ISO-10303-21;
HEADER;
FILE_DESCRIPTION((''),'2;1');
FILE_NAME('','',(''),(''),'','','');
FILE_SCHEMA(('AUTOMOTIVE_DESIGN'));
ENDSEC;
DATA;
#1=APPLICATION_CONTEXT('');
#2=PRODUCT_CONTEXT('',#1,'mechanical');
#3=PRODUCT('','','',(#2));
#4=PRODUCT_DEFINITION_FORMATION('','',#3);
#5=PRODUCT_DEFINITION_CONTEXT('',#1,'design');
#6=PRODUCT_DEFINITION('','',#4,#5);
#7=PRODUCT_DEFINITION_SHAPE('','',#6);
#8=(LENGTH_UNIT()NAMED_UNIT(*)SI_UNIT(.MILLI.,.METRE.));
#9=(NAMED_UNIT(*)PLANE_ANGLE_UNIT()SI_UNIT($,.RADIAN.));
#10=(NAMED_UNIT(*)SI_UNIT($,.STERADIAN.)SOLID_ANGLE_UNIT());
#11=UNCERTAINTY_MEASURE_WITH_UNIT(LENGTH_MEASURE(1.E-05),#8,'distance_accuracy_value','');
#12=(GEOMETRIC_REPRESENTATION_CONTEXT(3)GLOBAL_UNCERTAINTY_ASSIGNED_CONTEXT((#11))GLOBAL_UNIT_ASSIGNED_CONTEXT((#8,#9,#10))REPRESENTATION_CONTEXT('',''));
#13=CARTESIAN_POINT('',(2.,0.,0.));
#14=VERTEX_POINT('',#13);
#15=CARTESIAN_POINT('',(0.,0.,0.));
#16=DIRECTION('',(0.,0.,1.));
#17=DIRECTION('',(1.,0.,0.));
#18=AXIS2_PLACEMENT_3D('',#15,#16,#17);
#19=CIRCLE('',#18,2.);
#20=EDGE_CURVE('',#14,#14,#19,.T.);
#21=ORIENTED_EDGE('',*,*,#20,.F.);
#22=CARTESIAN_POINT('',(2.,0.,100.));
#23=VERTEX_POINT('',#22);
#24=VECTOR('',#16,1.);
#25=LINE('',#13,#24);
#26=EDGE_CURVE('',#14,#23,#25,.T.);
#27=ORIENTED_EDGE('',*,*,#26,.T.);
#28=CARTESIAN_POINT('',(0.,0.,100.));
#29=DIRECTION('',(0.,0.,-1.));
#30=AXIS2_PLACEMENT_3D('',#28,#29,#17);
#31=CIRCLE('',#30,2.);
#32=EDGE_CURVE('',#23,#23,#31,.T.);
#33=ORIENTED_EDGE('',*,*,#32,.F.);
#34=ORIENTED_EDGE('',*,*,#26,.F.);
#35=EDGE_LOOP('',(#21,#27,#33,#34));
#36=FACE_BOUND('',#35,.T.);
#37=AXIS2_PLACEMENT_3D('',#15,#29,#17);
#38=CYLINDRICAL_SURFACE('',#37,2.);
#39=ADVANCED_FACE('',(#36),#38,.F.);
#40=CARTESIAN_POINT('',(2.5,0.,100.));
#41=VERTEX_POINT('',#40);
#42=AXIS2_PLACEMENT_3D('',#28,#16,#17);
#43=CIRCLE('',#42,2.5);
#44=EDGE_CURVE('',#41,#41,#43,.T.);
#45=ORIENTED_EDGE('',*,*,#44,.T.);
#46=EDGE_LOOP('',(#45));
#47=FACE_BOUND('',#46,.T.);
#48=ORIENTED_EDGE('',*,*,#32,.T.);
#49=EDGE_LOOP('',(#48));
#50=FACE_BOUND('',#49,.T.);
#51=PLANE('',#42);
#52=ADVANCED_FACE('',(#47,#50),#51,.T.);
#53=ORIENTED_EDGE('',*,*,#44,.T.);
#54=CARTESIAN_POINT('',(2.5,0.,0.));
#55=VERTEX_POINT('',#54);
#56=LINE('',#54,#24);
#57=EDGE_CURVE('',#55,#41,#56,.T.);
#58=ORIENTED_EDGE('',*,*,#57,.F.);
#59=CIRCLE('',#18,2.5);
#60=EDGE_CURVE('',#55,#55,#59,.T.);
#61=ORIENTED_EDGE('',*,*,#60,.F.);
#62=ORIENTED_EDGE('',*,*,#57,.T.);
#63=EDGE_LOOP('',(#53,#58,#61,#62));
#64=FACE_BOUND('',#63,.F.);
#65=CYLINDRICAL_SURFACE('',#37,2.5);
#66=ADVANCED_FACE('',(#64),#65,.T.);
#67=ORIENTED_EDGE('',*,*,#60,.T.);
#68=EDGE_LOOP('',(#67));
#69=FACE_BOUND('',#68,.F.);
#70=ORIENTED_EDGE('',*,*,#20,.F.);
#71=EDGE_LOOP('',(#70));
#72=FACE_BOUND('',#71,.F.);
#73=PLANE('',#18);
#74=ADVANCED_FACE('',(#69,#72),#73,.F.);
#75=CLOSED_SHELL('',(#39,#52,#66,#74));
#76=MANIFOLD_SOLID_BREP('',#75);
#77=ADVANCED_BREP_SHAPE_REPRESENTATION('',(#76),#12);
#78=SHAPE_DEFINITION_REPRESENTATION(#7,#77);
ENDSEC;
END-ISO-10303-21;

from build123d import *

# Parameters (mm, degrees)
F0_R     = 2.5
F1_DEPTH = 100
F2_R     = 2
F3_DEPTH = 100.001


with BuildPart() as f1:
    # F0 (on Top) → F1 (new body)
    with BuildSketch(Plane.XY):
        Circle(F0_R)
    extrude(amount=F1_DEPTH)

    # F2 (on Top) → F3 (cut, through all)
    with BuildSketch(Plane.XY):
        Circle(F2_R)
    extrude(amount=F3_DEPTH, mode=Mode.SUBTRACT)


solid = f1.part
